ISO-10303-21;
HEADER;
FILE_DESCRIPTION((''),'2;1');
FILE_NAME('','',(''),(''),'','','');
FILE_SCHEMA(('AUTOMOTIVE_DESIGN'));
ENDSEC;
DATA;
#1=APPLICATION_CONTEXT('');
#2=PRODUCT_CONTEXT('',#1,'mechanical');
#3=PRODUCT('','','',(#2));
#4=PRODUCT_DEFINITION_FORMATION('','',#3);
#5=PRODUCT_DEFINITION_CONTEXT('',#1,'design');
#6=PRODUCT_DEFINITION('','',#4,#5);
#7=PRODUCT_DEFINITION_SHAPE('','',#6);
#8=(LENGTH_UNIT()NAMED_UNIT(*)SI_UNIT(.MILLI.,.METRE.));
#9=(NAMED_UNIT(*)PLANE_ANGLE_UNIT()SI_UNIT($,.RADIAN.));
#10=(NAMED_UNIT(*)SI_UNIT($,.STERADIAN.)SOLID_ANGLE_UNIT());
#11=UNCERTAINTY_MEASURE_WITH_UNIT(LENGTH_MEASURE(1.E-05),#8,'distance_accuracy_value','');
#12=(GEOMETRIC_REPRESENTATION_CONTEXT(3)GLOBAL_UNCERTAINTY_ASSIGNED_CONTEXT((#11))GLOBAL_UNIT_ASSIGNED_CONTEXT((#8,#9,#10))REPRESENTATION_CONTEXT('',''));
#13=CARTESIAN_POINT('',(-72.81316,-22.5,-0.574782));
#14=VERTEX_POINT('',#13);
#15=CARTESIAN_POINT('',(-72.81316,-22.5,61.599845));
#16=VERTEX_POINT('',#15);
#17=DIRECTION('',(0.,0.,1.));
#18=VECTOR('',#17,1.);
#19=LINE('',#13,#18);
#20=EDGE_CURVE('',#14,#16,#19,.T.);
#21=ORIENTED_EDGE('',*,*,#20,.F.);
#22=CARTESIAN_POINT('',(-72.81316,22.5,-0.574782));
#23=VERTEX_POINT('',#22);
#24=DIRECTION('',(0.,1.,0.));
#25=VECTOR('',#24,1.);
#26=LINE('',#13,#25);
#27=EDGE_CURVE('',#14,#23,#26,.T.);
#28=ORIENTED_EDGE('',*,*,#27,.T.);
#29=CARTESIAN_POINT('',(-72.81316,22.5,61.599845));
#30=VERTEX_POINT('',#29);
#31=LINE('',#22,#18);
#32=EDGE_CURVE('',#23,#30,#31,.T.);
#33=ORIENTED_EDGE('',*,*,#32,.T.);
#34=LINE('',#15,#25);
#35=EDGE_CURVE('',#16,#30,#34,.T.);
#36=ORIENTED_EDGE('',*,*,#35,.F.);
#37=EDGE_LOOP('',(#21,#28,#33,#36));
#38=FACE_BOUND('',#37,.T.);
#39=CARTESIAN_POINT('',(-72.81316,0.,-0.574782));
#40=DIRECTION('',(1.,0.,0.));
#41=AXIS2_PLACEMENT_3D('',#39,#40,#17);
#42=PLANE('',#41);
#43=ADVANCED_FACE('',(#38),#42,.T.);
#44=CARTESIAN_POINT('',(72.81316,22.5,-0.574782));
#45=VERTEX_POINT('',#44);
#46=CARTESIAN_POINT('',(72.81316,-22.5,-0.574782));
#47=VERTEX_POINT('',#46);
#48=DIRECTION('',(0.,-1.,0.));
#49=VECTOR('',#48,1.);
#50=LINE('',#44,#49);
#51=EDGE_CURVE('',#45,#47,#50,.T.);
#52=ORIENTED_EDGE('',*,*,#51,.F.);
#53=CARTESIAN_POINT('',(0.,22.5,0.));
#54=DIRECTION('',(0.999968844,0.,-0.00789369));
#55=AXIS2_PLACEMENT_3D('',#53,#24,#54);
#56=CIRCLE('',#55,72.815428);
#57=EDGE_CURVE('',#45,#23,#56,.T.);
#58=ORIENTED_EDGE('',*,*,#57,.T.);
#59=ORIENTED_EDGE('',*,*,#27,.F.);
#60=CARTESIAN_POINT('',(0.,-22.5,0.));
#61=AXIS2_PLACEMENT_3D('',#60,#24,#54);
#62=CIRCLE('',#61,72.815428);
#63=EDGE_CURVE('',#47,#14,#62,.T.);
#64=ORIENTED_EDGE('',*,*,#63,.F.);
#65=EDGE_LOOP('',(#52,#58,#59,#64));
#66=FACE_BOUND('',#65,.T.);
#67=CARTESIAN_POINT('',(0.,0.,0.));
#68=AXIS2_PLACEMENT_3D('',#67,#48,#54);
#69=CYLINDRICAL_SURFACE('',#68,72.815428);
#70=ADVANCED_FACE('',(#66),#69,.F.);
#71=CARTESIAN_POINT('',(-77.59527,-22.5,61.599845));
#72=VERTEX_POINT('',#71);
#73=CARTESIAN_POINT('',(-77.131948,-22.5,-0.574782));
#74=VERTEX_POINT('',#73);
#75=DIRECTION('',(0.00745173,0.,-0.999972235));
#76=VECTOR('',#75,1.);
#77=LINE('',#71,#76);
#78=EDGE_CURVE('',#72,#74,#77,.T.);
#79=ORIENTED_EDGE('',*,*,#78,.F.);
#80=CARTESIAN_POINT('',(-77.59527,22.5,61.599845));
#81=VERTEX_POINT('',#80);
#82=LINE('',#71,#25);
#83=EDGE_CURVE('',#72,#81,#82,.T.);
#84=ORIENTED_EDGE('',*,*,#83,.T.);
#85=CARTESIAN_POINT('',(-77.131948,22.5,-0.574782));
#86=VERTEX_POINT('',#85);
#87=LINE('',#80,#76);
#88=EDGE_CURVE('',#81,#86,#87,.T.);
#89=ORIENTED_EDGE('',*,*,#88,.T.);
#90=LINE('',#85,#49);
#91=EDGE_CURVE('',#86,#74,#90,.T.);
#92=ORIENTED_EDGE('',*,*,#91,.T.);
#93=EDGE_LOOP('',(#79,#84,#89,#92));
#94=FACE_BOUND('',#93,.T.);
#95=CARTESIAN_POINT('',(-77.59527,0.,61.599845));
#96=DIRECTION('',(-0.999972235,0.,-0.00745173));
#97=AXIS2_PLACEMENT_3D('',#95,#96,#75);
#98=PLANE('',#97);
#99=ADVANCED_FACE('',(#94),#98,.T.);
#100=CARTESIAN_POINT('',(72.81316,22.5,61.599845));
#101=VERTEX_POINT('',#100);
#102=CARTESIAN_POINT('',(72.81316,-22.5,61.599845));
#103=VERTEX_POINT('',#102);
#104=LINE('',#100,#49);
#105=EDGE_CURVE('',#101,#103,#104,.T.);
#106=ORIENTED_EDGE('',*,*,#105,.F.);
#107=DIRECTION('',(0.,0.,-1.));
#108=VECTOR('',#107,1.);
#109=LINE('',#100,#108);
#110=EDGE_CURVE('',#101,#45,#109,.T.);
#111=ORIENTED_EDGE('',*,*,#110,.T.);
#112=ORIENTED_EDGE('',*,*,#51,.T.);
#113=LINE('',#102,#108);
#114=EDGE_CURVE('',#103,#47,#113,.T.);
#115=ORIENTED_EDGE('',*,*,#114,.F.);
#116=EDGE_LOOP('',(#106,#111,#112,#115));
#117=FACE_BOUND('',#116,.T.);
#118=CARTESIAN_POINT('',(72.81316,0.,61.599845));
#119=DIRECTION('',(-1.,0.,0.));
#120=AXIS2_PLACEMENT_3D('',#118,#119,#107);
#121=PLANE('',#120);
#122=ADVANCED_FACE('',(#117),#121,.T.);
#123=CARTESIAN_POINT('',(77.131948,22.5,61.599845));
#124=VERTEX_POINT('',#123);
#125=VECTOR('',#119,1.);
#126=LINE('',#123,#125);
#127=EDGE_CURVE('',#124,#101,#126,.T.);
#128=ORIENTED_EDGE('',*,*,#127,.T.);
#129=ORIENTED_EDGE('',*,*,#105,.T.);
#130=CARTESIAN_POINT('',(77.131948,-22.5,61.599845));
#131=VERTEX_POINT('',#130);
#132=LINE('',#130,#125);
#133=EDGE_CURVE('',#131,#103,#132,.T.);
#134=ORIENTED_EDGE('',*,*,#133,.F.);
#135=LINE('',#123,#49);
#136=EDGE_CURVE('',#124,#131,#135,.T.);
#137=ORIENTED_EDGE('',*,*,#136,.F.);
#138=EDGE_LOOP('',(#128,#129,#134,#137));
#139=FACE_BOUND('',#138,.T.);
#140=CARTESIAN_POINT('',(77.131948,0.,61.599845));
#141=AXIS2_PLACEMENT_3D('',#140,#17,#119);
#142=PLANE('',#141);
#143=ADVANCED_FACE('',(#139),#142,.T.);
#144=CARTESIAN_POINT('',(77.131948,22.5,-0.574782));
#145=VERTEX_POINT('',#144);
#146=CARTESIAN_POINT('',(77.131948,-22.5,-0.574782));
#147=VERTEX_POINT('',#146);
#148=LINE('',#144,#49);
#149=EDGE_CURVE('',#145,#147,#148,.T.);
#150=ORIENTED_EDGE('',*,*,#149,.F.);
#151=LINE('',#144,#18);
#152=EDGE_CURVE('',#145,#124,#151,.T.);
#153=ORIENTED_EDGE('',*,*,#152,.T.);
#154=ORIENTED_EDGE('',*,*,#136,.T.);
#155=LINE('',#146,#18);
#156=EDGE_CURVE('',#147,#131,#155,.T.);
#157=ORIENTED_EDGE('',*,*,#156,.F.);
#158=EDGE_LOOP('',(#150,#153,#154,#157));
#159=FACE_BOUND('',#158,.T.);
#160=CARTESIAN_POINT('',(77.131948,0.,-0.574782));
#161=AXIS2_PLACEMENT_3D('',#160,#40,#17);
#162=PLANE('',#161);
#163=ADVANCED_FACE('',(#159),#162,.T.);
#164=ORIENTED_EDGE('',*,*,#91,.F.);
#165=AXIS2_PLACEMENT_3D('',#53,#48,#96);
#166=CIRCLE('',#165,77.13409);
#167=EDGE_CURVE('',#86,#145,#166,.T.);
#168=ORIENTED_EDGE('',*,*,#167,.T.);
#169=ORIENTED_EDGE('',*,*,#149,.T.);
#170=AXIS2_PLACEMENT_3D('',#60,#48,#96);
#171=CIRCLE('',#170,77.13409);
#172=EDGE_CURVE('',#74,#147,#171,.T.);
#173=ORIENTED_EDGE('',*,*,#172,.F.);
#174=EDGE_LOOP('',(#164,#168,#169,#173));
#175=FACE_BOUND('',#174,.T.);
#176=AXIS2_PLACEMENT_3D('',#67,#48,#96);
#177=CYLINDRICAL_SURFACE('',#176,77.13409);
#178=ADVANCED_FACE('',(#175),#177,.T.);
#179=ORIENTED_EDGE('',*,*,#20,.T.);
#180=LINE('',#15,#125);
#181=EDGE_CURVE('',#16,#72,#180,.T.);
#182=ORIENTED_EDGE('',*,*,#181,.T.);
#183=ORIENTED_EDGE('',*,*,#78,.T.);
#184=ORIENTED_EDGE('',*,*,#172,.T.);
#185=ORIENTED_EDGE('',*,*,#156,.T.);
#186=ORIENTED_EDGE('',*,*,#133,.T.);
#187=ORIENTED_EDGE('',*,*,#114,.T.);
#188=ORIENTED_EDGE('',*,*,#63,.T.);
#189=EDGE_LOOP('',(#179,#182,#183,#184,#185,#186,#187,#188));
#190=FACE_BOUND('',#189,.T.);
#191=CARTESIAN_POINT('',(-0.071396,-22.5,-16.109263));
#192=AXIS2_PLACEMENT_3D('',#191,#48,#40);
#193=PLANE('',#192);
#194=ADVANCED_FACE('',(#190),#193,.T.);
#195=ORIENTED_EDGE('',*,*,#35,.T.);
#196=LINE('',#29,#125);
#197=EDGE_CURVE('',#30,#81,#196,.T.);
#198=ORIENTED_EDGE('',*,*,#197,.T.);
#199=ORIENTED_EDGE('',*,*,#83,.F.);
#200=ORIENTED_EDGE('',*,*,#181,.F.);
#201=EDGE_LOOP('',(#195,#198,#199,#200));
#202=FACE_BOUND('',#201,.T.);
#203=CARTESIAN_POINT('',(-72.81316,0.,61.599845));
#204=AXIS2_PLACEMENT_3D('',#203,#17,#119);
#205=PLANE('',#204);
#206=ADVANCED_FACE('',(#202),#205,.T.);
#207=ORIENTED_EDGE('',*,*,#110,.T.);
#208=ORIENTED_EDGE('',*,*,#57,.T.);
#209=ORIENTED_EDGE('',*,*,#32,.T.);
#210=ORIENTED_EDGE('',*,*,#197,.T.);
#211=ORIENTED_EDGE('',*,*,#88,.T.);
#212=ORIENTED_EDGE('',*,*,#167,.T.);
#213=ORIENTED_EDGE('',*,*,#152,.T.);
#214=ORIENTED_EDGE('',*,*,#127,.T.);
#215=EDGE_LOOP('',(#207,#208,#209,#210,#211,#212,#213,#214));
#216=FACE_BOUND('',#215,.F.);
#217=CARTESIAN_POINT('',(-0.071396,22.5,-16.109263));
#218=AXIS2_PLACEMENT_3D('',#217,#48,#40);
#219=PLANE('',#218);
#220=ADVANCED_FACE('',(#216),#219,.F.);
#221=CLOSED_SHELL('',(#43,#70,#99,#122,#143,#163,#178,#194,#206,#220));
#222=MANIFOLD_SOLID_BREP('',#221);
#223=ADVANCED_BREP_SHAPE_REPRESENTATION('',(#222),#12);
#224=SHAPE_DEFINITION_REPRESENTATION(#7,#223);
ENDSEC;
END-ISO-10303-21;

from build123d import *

# Parameters (mm, degrees)
F2_DEPTH = 22.5


with BuildPart() as f2:
    # F0 (on Front) → F2 (new body, symmetric)
    with BuildSketch(Plane.XZ):
        with BuildLine():
            Line((-77.5952695245, 61.5998449805), (-77.1319480974, -0.5747824433))
            ThreePointArc((-77.1319480974, -0.5747824433), (0, -77.1340896891), (77.1319480974, -0.5747824433))
            Line((77.1319480974, -0.5747824433), (77.1319480974, 61.5998449805))
            Line((77.1319480974, 61.5998449805), (72.8131596211, 61.5998449805))
            Line((72.8131596211, 61.5998449805), (72.8131596211, -0.5747824433))
            ThreePointArc((72.8131596211, -0.5747824433), (0, -72.8154282338), (-72.8131596211, -0.5747824433))
            Line((-72.8131596211, -0.5747824433), (-72.8131596211, 61.5998449805))
            Line((-72.8131596211, 61.5998449805), (-77.5952695245, 61.5998449805))
        make_face()
    extrude(amount=F2_DEPTH, both=True)


solid = f2.part
